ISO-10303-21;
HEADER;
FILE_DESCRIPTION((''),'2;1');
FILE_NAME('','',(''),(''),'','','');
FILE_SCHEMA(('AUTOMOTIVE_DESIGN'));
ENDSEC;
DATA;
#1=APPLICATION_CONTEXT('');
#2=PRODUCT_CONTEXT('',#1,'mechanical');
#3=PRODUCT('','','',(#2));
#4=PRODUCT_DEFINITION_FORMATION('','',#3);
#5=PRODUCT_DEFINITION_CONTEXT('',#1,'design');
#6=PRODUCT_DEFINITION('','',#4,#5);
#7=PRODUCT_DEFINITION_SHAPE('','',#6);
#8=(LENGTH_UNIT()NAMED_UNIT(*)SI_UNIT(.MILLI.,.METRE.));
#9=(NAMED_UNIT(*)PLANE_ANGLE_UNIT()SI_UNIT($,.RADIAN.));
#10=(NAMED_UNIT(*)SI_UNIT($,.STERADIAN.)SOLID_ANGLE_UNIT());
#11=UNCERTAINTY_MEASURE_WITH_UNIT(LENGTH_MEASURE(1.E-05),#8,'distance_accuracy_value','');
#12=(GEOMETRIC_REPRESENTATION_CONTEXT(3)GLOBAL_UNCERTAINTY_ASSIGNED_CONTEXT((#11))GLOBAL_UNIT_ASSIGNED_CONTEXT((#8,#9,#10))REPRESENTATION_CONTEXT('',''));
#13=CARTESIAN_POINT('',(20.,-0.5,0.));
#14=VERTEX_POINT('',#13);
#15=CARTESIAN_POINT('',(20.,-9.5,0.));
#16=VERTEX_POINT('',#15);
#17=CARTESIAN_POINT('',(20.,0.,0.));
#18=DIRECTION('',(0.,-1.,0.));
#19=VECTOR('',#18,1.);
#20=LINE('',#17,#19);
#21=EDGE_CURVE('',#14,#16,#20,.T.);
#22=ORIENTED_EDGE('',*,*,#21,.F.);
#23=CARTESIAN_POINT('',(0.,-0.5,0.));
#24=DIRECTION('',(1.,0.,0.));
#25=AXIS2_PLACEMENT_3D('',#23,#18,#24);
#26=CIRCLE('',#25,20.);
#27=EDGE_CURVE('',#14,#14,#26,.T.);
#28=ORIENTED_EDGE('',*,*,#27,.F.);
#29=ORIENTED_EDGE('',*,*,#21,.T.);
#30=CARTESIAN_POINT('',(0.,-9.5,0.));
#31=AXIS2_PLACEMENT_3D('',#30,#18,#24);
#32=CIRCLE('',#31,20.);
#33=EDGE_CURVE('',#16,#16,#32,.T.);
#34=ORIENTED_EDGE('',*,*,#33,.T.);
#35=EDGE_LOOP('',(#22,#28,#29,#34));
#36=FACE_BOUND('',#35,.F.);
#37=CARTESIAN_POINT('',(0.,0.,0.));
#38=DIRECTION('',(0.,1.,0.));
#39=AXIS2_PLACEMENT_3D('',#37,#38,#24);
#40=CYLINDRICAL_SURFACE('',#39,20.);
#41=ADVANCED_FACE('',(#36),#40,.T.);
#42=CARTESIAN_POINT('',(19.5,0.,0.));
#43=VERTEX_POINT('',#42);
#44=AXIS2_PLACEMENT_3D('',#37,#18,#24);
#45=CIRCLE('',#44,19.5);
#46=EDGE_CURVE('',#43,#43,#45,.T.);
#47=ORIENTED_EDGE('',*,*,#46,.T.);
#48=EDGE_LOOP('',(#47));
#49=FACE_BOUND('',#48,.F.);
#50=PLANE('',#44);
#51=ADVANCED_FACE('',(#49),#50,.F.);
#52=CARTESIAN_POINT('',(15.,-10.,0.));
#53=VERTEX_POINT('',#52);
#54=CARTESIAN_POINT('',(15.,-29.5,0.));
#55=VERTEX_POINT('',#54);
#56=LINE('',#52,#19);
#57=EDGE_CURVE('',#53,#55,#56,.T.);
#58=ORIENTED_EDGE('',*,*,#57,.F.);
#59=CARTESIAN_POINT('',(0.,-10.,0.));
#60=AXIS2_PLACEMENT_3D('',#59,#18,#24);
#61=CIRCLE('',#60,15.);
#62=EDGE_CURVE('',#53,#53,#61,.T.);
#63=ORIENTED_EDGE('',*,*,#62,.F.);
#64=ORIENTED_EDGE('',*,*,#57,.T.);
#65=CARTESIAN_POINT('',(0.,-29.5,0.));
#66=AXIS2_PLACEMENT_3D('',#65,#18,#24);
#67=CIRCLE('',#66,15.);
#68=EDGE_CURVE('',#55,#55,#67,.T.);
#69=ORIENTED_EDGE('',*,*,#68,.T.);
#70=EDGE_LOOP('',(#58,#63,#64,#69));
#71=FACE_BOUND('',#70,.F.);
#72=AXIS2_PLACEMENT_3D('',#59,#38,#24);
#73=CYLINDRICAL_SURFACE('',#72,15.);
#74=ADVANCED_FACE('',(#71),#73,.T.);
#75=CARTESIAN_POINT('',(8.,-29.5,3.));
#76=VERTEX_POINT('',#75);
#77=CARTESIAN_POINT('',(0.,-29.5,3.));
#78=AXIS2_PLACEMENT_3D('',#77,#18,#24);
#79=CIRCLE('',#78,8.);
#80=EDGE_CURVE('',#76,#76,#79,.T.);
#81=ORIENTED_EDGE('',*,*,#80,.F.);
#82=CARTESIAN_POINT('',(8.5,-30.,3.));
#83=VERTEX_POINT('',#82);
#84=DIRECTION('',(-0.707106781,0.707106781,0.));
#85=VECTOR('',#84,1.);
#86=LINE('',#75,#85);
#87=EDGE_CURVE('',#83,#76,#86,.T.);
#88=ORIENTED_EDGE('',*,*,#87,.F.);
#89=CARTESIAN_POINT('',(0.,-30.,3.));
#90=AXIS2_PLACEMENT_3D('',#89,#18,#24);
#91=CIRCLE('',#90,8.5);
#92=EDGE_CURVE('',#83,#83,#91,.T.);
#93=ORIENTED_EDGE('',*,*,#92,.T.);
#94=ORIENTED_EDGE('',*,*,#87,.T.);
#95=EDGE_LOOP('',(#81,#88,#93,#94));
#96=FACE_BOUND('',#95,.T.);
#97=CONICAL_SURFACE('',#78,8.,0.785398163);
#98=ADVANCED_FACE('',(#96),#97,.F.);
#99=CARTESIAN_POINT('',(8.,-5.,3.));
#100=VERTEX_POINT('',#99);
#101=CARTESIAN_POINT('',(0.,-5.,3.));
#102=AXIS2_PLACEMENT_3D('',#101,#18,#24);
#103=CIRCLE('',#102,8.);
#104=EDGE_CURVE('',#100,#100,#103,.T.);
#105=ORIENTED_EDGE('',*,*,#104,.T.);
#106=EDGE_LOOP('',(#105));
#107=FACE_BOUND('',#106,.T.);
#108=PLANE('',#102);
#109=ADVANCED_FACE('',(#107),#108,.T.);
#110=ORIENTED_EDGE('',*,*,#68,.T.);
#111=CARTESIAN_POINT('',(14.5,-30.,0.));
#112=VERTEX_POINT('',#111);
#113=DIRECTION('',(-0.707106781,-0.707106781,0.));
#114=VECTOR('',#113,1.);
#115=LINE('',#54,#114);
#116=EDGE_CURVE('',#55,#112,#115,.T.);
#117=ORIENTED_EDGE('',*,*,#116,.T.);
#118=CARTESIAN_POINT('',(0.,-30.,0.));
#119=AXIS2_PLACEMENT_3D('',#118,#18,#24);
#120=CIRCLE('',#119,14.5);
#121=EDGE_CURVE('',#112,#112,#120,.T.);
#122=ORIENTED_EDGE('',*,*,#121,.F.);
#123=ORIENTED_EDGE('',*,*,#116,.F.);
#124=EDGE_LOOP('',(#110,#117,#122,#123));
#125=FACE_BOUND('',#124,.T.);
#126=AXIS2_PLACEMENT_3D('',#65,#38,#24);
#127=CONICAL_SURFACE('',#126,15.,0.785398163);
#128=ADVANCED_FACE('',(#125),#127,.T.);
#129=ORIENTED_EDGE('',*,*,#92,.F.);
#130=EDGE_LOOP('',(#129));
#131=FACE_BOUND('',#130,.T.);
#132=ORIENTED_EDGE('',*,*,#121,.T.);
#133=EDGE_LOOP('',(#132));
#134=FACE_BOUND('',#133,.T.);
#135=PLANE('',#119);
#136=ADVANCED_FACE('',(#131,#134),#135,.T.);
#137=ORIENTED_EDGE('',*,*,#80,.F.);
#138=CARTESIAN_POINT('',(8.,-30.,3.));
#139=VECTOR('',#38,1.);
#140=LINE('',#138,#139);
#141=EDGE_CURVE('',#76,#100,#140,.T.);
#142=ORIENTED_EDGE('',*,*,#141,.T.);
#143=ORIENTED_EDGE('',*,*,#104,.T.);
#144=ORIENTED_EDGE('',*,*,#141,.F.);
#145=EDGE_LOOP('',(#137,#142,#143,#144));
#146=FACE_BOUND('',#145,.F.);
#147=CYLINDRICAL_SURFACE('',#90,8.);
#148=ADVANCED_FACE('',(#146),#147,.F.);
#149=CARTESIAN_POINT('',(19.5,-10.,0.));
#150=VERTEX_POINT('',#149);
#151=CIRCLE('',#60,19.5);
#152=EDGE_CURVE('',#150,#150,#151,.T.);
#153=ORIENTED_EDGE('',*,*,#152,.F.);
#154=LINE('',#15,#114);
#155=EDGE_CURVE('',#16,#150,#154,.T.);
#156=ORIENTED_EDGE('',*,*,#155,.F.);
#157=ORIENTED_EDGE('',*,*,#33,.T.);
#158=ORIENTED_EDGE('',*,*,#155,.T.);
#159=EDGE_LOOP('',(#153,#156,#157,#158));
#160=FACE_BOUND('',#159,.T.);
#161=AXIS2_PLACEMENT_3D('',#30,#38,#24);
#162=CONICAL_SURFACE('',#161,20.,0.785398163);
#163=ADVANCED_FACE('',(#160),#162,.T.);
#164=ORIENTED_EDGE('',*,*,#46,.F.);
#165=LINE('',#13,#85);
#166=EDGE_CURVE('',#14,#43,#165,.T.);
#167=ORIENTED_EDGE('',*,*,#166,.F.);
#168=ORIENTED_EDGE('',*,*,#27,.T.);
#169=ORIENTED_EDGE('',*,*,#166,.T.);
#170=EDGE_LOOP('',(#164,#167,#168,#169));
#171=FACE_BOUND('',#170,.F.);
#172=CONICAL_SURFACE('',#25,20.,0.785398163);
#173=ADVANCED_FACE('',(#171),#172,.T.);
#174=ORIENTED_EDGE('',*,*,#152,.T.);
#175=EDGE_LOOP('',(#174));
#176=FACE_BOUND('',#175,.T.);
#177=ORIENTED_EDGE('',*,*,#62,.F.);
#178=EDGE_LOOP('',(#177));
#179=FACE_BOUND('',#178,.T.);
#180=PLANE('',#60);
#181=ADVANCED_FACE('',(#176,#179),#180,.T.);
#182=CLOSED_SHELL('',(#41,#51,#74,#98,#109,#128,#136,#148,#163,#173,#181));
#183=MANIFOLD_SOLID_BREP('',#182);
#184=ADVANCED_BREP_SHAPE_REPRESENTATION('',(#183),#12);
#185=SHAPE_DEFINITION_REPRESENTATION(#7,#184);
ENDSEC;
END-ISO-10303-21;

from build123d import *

# Parameters (mm, degrees)
F0_R     = 20
F1_DEPTH = 10
F2_R     = 15
F3_DEPTH = 20
F4_R     = 8
F5_DEPTH = 25
F6_SIZE  = 0.5


with BuildPart() as f1:
    # F0 (on Front) → F1 (new body)
    with BuildSketch(Plane.XZ):
        Circle(F0_R)
    extrude(amount=F1_DEPTH)

    # F2 (on face) → F3 (join)
    with BuildSketch(Plane.XZ.offset(10)):
        Circle(F2_R)
    extrude(amount=F3_DEPTH)

    # F4 (on face) → F5 (cut)
    with BuildSketch(Plane.XZ.offset(30)):
        with Locations((0, 3)):
            Circle(F4_R)
    extrude(amount=-F5_DEPTH, mode=Mode.SUBTRACT)

    # F6
    f6_edges = [f1.edges().sort_by_distance(p)[0] for p in [
        (-15, -30, 0),
        (-20, -10, 0),
        (-20, 0, 0),
        (-8, -30, 3),
    ]]
    chamfer(f6_edges, length=F6_SIZE)


solid = f1.part
